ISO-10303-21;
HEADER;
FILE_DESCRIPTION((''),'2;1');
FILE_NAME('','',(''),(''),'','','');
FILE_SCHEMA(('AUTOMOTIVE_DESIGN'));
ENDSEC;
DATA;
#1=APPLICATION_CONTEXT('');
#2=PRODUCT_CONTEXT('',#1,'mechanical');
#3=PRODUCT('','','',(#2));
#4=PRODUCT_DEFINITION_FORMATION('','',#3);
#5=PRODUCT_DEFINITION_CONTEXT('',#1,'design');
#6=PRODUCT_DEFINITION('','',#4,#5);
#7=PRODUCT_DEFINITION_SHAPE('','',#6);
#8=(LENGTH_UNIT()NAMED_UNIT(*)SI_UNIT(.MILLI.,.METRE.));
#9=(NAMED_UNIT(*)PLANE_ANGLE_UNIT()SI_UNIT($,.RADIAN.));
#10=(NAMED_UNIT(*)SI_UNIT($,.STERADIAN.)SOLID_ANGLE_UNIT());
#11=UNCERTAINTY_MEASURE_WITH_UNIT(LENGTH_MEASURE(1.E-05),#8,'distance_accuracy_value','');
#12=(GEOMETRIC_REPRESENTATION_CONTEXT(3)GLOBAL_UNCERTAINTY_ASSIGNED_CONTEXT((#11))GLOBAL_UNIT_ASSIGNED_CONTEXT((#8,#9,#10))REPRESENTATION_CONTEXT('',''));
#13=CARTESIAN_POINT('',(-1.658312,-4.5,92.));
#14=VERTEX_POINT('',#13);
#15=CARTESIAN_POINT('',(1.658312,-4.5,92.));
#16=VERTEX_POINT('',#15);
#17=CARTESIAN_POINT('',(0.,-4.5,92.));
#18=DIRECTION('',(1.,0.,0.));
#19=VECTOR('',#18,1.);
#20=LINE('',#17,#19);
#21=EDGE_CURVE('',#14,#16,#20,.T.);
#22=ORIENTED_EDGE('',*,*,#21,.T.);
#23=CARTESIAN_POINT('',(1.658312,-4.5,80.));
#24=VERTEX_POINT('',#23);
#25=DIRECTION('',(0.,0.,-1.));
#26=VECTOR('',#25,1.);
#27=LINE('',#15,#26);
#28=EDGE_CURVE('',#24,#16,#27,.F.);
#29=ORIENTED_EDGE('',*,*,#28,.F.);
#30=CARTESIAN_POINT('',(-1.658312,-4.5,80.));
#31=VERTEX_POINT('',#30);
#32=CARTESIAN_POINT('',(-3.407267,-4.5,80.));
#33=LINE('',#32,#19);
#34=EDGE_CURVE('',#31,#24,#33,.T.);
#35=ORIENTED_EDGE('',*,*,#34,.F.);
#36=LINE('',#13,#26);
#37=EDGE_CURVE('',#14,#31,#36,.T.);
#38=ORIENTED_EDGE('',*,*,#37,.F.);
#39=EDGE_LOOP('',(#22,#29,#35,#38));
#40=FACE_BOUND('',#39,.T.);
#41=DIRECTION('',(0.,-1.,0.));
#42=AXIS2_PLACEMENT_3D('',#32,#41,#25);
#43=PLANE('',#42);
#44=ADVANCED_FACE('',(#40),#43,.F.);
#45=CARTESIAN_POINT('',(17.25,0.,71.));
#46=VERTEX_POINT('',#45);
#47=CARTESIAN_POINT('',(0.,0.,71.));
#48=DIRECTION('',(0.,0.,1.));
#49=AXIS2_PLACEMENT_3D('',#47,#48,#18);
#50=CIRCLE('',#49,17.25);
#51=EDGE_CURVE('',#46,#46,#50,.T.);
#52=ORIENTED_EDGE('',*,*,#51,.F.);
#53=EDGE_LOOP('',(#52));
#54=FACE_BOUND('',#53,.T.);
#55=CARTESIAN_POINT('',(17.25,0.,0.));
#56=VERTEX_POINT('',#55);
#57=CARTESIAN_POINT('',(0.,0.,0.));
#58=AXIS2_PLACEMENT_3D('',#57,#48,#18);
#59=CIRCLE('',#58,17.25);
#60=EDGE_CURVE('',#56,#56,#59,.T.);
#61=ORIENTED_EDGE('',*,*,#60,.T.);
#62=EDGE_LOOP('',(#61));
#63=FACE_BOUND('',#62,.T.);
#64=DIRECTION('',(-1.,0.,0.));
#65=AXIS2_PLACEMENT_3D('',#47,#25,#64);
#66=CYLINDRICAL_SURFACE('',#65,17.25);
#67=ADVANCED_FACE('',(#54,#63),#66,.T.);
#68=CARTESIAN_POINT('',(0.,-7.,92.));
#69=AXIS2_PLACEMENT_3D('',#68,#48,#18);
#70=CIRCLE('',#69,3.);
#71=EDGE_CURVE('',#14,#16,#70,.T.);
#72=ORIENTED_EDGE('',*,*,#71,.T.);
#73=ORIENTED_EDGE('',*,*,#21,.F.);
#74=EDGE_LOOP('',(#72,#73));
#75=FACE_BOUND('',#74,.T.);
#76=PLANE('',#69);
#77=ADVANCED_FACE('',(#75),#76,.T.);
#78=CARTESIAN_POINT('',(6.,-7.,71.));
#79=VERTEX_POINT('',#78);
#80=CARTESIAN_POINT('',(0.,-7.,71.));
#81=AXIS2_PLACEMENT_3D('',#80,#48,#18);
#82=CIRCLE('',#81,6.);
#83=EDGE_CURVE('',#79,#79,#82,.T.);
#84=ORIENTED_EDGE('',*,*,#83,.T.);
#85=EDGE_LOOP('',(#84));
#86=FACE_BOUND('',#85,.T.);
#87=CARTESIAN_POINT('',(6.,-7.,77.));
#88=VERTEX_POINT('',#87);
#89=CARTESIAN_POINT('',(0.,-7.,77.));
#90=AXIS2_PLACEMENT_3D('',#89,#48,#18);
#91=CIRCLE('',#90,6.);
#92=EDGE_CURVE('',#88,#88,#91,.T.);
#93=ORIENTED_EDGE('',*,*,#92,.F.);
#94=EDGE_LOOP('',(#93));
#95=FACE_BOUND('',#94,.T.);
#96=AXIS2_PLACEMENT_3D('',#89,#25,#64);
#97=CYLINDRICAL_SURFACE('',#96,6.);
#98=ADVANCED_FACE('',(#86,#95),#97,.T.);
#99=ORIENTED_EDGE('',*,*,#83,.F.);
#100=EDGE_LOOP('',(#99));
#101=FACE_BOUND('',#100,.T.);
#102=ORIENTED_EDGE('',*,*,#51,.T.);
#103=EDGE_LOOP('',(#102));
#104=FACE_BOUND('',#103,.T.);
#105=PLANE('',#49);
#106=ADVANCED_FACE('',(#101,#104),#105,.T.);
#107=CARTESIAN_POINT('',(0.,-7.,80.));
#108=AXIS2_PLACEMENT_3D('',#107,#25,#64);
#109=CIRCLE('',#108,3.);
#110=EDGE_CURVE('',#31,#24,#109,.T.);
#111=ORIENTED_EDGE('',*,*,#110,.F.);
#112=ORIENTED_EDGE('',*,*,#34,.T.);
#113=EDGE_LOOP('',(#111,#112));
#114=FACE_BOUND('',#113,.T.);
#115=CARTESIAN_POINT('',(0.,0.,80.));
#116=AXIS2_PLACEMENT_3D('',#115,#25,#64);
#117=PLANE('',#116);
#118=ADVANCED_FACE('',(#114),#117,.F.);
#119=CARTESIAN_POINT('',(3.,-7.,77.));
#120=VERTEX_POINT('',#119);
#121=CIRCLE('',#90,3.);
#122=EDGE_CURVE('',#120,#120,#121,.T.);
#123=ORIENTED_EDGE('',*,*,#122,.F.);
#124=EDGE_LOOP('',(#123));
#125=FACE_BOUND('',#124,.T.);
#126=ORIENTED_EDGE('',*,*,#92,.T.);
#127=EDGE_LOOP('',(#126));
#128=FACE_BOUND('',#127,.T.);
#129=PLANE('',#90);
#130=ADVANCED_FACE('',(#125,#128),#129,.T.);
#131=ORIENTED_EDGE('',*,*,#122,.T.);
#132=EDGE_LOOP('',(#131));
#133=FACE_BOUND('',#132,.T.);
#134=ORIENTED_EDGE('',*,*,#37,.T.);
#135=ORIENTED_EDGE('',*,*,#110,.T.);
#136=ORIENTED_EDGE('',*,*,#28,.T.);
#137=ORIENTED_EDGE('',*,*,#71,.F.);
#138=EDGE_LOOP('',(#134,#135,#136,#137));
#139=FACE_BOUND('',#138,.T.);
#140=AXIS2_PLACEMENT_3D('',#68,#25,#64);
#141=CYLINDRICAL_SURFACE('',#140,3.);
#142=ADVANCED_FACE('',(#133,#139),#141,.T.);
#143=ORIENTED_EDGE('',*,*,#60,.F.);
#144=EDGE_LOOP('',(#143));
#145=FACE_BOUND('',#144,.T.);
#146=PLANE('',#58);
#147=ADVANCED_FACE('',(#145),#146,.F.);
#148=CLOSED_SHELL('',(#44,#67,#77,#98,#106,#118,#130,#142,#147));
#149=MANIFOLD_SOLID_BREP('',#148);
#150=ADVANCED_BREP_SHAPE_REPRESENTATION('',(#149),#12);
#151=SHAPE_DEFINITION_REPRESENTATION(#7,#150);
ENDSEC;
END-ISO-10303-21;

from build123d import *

# Parameters (mm, degrees)
SKETCH_1_R          = 17.25
EXTRUDE_1_DEPTH     = 71
SKETCH_2_R          = 6
EXTRUDE_2_DEPTH     = 6
SKETCH_3_R          = 3
EXTRUDE_3_DEPTH     = 15
CUT_EXTRUDE_1_DEPTH = 12


with BuildPart() as part:
    # 草图1 → 凸台-拉伸1 (new body)
    with BuildSketch(Plane.XY):
        Circle(SKETCH_1_R)
    extrude(amount=EXTRUDE_1_DEPTH)

    # 草图2 → 凸台-拉伸2 (add)
    with BuildSketch(Plane.XY.offset(71)):
        with Locations((0, -7)):
            Circle(SKETCH_2_R)
    extrude(amount=EXTRUDE_2_DEPTH)

    # 草图3 → 凸台-拉伸3 (add)
    with BuildSketch(Plane.XY.offset(77)):
        with Locations((0, -7)):
            Circle(SKETCH_3_R)
    extrude(amount=EXTRUDE_3_DEPTH)

    # 草图4 → 切除-拉伸1 (cut)
    with BuildSketch(Plane.XY.offset(92)):
        Polygon((-3.407266726, -4.5), (4.657639837, -4.5), (3.969934626, -3.172821768), (-3.407266726, -3.172821768), align=None)
    extrude(amount=-CUT_EXTRUDE_1_DEPTH, mode=Mode.SUBTRACT)


solid = part.part
